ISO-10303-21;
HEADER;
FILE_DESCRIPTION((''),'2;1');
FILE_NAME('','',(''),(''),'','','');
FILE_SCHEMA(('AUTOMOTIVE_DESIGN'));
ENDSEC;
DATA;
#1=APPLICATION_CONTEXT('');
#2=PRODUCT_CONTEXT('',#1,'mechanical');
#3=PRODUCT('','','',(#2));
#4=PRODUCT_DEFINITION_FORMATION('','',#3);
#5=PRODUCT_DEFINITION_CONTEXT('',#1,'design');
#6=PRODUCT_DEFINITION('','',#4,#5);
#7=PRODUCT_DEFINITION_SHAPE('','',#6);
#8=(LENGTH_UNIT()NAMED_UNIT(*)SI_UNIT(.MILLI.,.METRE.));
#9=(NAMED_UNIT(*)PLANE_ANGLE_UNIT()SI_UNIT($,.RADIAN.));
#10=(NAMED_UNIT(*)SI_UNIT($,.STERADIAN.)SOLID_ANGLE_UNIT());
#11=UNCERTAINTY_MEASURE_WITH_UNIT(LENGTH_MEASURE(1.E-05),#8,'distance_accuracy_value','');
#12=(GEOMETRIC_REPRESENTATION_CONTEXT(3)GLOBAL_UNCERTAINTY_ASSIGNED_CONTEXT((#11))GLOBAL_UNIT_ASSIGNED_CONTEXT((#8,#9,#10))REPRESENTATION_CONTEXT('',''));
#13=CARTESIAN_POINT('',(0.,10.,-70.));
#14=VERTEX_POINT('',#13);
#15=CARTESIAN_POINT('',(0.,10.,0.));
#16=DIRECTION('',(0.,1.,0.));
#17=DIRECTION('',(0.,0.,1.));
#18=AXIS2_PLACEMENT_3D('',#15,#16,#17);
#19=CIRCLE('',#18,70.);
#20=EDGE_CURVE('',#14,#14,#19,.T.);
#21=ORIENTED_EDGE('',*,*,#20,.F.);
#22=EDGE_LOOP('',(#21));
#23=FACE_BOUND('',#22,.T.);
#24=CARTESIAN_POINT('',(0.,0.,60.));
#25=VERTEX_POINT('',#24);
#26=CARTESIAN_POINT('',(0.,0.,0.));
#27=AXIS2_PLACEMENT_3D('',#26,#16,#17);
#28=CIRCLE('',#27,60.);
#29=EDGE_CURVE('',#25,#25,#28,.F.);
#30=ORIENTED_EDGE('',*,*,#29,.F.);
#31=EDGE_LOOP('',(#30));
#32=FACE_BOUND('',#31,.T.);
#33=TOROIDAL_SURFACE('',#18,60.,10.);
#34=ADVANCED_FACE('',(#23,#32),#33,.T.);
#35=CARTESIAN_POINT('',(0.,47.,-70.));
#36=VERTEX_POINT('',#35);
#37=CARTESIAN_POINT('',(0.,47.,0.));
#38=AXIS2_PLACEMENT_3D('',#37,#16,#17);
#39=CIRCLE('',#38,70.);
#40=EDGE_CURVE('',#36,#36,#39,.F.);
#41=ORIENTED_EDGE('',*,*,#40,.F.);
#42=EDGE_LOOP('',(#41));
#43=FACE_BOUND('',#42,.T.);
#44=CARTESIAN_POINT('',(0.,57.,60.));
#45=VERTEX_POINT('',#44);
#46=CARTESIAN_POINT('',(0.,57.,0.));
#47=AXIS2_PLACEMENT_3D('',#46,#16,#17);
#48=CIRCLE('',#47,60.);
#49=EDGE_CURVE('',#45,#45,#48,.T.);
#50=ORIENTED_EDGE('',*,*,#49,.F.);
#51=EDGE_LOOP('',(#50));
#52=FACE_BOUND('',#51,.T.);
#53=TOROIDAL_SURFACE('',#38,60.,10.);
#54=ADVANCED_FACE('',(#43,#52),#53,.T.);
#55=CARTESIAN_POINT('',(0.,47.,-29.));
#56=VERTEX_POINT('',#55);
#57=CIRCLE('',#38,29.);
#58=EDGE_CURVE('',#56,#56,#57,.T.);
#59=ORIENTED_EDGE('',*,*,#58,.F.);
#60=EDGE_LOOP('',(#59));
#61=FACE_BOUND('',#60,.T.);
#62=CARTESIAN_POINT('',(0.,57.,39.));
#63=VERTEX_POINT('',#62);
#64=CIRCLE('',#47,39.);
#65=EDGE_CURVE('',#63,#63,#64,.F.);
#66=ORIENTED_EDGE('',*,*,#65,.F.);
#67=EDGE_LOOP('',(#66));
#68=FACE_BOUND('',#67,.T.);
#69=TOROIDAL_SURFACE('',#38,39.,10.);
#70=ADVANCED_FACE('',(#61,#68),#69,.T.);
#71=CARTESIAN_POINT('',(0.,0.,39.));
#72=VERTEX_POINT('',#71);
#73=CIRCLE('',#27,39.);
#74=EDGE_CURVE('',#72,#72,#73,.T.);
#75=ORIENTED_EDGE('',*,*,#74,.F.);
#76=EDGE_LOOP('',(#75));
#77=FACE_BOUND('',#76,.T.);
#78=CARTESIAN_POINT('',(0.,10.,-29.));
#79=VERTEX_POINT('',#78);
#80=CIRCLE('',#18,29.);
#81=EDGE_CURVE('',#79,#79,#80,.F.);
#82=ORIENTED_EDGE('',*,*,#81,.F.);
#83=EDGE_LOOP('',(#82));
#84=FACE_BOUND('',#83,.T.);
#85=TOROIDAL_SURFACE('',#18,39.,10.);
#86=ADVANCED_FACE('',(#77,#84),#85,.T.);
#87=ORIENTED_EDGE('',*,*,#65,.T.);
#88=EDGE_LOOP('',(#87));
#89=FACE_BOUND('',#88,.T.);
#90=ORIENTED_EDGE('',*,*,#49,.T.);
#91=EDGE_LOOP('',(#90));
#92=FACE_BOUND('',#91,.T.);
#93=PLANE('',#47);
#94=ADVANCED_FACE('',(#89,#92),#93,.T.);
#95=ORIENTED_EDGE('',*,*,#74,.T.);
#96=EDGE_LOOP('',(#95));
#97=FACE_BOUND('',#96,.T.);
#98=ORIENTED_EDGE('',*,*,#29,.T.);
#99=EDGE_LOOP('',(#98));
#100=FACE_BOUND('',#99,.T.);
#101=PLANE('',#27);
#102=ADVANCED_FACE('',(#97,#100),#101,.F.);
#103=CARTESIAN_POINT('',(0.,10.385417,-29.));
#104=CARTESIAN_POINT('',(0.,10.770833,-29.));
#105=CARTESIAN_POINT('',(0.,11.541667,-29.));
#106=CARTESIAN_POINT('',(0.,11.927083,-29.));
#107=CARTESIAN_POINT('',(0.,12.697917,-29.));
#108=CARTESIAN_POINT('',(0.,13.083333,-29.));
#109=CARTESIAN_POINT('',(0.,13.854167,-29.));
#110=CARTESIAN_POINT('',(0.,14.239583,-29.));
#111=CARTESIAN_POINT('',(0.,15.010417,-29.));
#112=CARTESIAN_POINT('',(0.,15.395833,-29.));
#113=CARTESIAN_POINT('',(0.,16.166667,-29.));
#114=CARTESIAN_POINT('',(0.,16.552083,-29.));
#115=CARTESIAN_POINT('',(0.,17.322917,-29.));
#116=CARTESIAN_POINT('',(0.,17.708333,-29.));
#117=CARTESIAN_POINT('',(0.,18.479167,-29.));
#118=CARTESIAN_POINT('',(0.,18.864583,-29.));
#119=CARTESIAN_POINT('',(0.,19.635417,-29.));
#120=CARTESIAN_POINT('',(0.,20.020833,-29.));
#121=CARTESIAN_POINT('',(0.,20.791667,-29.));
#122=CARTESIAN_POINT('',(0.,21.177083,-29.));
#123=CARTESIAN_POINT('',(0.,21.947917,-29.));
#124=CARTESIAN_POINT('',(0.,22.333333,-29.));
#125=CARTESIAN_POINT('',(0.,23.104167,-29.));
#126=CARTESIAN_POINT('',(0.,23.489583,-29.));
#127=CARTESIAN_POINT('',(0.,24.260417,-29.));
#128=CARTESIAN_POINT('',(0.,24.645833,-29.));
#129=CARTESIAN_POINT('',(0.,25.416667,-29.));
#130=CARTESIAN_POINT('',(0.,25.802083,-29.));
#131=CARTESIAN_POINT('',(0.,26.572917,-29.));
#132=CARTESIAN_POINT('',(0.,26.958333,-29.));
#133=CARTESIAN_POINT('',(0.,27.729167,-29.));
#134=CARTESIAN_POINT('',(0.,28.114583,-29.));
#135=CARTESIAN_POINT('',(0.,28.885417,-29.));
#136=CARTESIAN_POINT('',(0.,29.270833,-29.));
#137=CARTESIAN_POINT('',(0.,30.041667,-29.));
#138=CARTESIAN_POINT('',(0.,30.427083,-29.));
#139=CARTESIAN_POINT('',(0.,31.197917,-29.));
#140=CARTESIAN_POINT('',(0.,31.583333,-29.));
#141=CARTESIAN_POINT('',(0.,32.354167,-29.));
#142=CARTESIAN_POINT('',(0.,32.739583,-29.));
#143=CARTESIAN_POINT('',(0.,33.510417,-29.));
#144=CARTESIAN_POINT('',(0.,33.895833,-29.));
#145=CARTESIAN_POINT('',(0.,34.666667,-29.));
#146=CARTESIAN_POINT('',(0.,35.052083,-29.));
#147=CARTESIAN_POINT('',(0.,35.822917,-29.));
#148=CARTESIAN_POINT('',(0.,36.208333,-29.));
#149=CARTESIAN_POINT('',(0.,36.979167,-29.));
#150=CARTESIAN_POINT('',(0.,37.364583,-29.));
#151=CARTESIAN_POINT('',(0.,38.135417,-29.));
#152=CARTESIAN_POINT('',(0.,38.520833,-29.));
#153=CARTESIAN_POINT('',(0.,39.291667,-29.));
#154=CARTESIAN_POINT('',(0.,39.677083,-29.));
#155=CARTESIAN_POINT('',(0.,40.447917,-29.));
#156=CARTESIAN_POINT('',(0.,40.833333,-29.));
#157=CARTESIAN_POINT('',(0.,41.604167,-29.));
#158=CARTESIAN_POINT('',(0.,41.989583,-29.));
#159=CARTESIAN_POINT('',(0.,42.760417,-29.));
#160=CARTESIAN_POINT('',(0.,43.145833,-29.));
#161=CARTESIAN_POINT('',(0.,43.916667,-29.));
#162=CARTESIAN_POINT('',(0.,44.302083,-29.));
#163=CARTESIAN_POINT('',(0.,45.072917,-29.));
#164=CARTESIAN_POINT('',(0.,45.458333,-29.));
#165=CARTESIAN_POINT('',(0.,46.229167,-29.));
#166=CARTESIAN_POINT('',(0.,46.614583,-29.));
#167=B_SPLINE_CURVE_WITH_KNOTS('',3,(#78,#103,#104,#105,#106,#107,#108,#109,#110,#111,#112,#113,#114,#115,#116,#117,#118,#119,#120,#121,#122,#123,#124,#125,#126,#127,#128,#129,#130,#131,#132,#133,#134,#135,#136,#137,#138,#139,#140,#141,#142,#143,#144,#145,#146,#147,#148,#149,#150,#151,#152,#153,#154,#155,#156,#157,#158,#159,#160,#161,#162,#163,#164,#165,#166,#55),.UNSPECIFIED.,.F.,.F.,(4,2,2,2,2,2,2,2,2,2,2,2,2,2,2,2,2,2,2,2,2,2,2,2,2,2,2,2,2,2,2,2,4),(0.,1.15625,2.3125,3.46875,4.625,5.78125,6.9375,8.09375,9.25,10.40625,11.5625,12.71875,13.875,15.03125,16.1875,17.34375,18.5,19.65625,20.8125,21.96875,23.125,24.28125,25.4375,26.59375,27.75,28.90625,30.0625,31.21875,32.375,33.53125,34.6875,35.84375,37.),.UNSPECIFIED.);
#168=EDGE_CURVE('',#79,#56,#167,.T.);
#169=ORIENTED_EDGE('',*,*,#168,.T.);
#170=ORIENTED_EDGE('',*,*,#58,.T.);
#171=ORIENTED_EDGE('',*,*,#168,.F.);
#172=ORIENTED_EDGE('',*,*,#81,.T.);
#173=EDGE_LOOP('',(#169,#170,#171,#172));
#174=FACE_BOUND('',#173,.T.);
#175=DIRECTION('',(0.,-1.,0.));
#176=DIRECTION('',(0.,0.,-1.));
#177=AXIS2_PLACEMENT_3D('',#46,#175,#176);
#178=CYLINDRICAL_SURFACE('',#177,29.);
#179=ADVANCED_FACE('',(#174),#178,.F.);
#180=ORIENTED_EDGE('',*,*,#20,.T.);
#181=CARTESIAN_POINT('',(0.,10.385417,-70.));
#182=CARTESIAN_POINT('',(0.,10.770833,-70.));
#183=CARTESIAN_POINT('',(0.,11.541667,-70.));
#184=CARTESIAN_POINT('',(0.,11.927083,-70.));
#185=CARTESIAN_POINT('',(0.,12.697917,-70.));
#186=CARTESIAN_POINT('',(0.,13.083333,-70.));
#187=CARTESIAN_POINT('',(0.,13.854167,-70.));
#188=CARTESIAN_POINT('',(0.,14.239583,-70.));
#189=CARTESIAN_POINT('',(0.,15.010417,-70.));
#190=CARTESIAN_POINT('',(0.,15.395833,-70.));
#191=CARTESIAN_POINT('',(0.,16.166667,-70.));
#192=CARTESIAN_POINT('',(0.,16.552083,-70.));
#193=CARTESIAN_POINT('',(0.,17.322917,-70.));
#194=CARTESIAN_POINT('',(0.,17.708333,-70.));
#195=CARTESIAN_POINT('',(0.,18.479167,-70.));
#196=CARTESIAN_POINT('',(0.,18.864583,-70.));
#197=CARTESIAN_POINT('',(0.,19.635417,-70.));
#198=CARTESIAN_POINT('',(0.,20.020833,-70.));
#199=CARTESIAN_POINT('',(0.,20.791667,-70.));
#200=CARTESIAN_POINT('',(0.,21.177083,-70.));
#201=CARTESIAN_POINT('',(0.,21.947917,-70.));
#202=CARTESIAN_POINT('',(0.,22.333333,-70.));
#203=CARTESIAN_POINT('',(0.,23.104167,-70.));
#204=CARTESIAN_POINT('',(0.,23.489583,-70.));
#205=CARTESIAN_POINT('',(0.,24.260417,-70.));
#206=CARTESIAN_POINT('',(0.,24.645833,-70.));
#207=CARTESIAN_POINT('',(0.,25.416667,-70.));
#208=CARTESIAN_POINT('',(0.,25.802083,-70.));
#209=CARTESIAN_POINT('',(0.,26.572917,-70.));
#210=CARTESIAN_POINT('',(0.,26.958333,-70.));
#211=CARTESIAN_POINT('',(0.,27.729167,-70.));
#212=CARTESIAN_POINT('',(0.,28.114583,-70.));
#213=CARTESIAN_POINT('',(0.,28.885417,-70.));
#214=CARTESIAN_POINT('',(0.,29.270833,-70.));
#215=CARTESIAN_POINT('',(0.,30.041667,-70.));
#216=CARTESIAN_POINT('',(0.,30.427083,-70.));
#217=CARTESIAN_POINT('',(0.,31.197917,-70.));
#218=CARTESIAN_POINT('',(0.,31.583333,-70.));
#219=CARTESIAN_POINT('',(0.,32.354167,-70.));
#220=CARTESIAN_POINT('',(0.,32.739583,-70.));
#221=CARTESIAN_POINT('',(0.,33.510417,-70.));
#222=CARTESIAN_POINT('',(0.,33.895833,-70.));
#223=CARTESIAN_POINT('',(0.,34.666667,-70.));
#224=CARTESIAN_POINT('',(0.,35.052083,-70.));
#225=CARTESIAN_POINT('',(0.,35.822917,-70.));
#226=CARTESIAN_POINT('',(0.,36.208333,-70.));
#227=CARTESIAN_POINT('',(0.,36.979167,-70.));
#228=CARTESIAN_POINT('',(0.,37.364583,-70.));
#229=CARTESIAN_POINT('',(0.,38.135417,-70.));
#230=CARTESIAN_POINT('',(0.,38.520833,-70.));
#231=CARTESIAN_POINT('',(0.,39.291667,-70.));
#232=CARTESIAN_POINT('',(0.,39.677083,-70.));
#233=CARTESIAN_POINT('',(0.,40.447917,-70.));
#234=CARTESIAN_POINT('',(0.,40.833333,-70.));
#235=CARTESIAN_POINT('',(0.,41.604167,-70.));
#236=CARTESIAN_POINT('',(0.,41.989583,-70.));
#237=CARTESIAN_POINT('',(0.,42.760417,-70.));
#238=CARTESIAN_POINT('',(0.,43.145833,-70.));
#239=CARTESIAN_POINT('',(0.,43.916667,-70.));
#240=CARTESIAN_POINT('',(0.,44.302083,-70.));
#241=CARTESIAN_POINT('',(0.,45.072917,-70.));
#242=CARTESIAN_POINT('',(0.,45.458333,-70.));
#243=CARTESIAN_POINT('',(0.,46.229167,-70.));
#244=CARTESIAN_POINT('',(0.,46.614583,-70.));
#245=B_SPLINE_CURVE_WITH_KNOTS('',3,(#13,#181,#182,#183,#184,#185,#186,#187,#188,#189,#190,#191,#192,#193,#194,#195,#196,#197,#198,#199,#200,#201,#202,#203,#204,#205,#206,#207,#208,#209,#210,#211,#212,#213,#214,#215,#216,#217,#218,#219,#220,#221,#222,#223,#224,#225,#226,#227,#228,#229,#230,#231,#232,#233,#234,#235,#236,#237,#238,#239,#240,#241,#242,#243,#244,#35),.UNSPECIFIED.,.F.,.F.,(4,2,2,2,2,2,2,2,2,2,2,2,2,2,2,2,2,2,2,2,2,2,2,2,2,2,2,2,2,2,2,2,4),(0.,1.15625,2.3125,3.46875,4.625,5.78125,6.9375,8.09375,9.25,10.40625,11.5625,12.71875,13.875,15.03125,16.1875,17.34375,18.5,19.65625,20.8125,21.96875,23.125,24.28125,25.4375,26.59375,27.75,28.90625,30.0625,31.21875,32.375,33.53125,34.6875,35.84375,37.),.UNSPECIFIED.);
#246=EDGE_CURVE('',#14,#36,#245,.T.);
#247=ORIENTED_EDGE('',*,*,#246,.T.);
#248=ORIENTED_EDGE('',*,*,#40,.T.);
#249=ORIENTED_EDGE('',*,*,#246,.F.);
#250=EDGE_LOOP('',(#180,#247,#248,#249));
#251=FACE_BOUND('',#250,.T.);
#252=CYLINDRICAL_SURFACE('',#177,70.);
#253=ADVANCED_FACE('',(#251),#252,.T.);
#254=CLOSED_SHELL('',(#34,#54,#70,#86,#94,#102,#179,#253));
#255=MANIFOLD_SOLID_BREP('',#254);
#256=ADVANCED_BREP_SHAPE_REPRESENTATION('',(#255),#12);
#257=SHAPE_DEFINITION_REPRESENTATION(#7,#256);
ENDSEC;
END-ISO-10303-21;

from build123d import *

# Parameters (mm, degrees)
SKETCH1_R           = 70
SKETCH1_R_2         = 29
BOSS_EXTRUDE1_DEPTH = 57
FILLET1_R           = 10
FILLET2_R           = 10
FILLET3_R           = 10
FILLET4_R           = 10


with BuildPart() as part:
    # Sketch1 → Boss-Extrude1 (new body)
    with BuildSketch(Plane(origin=(0, 0, 0), x_dir=(1, 0, 0), z_dir=(0, 1, 0))):
        with Locations(Location((0, 0, 0), (0, 0, 90))):
            Circle(SKETCH1_R)
        with Locations(Location((0, 0, 0), (0, 0, 90))):
            Circle(SKETCH1_R_2, mode=Mode.SUBTRACT)
    extrude(amount=BOSS_EXTRUDE1_DEPTH)

    # Fillet1
    fillet1_edges = [part.edges().sort_by_distance(p)[0] for p in [
        (0, 57, 70),
    ]]
    fillet(fillet1_edges, radius=FILLET1_R)

    # Fillet2
    fillet2_edges = [part.edges().sort_by_distance(p)[0] for p in [
        (0, 0, 70),
    ]]
    fillet(fillet2_edges, radius=FILLET2_R)

    # Fillet3
    fillet3_edges = [part.edges().sort_by_distance(p)[0] for p in [
        (0, 57, 29),
    ]]
    fillet(fillet3_edges, radius=FILLET3_R)

    # Fillet4
    fillet4_edges = [part.edges().sort_by_distance(p)[0] for p in [
        (0, 0, 29),
    ]]
    fillet(fillet4_edges, radius=FILLET4_R)


solid = part.part
